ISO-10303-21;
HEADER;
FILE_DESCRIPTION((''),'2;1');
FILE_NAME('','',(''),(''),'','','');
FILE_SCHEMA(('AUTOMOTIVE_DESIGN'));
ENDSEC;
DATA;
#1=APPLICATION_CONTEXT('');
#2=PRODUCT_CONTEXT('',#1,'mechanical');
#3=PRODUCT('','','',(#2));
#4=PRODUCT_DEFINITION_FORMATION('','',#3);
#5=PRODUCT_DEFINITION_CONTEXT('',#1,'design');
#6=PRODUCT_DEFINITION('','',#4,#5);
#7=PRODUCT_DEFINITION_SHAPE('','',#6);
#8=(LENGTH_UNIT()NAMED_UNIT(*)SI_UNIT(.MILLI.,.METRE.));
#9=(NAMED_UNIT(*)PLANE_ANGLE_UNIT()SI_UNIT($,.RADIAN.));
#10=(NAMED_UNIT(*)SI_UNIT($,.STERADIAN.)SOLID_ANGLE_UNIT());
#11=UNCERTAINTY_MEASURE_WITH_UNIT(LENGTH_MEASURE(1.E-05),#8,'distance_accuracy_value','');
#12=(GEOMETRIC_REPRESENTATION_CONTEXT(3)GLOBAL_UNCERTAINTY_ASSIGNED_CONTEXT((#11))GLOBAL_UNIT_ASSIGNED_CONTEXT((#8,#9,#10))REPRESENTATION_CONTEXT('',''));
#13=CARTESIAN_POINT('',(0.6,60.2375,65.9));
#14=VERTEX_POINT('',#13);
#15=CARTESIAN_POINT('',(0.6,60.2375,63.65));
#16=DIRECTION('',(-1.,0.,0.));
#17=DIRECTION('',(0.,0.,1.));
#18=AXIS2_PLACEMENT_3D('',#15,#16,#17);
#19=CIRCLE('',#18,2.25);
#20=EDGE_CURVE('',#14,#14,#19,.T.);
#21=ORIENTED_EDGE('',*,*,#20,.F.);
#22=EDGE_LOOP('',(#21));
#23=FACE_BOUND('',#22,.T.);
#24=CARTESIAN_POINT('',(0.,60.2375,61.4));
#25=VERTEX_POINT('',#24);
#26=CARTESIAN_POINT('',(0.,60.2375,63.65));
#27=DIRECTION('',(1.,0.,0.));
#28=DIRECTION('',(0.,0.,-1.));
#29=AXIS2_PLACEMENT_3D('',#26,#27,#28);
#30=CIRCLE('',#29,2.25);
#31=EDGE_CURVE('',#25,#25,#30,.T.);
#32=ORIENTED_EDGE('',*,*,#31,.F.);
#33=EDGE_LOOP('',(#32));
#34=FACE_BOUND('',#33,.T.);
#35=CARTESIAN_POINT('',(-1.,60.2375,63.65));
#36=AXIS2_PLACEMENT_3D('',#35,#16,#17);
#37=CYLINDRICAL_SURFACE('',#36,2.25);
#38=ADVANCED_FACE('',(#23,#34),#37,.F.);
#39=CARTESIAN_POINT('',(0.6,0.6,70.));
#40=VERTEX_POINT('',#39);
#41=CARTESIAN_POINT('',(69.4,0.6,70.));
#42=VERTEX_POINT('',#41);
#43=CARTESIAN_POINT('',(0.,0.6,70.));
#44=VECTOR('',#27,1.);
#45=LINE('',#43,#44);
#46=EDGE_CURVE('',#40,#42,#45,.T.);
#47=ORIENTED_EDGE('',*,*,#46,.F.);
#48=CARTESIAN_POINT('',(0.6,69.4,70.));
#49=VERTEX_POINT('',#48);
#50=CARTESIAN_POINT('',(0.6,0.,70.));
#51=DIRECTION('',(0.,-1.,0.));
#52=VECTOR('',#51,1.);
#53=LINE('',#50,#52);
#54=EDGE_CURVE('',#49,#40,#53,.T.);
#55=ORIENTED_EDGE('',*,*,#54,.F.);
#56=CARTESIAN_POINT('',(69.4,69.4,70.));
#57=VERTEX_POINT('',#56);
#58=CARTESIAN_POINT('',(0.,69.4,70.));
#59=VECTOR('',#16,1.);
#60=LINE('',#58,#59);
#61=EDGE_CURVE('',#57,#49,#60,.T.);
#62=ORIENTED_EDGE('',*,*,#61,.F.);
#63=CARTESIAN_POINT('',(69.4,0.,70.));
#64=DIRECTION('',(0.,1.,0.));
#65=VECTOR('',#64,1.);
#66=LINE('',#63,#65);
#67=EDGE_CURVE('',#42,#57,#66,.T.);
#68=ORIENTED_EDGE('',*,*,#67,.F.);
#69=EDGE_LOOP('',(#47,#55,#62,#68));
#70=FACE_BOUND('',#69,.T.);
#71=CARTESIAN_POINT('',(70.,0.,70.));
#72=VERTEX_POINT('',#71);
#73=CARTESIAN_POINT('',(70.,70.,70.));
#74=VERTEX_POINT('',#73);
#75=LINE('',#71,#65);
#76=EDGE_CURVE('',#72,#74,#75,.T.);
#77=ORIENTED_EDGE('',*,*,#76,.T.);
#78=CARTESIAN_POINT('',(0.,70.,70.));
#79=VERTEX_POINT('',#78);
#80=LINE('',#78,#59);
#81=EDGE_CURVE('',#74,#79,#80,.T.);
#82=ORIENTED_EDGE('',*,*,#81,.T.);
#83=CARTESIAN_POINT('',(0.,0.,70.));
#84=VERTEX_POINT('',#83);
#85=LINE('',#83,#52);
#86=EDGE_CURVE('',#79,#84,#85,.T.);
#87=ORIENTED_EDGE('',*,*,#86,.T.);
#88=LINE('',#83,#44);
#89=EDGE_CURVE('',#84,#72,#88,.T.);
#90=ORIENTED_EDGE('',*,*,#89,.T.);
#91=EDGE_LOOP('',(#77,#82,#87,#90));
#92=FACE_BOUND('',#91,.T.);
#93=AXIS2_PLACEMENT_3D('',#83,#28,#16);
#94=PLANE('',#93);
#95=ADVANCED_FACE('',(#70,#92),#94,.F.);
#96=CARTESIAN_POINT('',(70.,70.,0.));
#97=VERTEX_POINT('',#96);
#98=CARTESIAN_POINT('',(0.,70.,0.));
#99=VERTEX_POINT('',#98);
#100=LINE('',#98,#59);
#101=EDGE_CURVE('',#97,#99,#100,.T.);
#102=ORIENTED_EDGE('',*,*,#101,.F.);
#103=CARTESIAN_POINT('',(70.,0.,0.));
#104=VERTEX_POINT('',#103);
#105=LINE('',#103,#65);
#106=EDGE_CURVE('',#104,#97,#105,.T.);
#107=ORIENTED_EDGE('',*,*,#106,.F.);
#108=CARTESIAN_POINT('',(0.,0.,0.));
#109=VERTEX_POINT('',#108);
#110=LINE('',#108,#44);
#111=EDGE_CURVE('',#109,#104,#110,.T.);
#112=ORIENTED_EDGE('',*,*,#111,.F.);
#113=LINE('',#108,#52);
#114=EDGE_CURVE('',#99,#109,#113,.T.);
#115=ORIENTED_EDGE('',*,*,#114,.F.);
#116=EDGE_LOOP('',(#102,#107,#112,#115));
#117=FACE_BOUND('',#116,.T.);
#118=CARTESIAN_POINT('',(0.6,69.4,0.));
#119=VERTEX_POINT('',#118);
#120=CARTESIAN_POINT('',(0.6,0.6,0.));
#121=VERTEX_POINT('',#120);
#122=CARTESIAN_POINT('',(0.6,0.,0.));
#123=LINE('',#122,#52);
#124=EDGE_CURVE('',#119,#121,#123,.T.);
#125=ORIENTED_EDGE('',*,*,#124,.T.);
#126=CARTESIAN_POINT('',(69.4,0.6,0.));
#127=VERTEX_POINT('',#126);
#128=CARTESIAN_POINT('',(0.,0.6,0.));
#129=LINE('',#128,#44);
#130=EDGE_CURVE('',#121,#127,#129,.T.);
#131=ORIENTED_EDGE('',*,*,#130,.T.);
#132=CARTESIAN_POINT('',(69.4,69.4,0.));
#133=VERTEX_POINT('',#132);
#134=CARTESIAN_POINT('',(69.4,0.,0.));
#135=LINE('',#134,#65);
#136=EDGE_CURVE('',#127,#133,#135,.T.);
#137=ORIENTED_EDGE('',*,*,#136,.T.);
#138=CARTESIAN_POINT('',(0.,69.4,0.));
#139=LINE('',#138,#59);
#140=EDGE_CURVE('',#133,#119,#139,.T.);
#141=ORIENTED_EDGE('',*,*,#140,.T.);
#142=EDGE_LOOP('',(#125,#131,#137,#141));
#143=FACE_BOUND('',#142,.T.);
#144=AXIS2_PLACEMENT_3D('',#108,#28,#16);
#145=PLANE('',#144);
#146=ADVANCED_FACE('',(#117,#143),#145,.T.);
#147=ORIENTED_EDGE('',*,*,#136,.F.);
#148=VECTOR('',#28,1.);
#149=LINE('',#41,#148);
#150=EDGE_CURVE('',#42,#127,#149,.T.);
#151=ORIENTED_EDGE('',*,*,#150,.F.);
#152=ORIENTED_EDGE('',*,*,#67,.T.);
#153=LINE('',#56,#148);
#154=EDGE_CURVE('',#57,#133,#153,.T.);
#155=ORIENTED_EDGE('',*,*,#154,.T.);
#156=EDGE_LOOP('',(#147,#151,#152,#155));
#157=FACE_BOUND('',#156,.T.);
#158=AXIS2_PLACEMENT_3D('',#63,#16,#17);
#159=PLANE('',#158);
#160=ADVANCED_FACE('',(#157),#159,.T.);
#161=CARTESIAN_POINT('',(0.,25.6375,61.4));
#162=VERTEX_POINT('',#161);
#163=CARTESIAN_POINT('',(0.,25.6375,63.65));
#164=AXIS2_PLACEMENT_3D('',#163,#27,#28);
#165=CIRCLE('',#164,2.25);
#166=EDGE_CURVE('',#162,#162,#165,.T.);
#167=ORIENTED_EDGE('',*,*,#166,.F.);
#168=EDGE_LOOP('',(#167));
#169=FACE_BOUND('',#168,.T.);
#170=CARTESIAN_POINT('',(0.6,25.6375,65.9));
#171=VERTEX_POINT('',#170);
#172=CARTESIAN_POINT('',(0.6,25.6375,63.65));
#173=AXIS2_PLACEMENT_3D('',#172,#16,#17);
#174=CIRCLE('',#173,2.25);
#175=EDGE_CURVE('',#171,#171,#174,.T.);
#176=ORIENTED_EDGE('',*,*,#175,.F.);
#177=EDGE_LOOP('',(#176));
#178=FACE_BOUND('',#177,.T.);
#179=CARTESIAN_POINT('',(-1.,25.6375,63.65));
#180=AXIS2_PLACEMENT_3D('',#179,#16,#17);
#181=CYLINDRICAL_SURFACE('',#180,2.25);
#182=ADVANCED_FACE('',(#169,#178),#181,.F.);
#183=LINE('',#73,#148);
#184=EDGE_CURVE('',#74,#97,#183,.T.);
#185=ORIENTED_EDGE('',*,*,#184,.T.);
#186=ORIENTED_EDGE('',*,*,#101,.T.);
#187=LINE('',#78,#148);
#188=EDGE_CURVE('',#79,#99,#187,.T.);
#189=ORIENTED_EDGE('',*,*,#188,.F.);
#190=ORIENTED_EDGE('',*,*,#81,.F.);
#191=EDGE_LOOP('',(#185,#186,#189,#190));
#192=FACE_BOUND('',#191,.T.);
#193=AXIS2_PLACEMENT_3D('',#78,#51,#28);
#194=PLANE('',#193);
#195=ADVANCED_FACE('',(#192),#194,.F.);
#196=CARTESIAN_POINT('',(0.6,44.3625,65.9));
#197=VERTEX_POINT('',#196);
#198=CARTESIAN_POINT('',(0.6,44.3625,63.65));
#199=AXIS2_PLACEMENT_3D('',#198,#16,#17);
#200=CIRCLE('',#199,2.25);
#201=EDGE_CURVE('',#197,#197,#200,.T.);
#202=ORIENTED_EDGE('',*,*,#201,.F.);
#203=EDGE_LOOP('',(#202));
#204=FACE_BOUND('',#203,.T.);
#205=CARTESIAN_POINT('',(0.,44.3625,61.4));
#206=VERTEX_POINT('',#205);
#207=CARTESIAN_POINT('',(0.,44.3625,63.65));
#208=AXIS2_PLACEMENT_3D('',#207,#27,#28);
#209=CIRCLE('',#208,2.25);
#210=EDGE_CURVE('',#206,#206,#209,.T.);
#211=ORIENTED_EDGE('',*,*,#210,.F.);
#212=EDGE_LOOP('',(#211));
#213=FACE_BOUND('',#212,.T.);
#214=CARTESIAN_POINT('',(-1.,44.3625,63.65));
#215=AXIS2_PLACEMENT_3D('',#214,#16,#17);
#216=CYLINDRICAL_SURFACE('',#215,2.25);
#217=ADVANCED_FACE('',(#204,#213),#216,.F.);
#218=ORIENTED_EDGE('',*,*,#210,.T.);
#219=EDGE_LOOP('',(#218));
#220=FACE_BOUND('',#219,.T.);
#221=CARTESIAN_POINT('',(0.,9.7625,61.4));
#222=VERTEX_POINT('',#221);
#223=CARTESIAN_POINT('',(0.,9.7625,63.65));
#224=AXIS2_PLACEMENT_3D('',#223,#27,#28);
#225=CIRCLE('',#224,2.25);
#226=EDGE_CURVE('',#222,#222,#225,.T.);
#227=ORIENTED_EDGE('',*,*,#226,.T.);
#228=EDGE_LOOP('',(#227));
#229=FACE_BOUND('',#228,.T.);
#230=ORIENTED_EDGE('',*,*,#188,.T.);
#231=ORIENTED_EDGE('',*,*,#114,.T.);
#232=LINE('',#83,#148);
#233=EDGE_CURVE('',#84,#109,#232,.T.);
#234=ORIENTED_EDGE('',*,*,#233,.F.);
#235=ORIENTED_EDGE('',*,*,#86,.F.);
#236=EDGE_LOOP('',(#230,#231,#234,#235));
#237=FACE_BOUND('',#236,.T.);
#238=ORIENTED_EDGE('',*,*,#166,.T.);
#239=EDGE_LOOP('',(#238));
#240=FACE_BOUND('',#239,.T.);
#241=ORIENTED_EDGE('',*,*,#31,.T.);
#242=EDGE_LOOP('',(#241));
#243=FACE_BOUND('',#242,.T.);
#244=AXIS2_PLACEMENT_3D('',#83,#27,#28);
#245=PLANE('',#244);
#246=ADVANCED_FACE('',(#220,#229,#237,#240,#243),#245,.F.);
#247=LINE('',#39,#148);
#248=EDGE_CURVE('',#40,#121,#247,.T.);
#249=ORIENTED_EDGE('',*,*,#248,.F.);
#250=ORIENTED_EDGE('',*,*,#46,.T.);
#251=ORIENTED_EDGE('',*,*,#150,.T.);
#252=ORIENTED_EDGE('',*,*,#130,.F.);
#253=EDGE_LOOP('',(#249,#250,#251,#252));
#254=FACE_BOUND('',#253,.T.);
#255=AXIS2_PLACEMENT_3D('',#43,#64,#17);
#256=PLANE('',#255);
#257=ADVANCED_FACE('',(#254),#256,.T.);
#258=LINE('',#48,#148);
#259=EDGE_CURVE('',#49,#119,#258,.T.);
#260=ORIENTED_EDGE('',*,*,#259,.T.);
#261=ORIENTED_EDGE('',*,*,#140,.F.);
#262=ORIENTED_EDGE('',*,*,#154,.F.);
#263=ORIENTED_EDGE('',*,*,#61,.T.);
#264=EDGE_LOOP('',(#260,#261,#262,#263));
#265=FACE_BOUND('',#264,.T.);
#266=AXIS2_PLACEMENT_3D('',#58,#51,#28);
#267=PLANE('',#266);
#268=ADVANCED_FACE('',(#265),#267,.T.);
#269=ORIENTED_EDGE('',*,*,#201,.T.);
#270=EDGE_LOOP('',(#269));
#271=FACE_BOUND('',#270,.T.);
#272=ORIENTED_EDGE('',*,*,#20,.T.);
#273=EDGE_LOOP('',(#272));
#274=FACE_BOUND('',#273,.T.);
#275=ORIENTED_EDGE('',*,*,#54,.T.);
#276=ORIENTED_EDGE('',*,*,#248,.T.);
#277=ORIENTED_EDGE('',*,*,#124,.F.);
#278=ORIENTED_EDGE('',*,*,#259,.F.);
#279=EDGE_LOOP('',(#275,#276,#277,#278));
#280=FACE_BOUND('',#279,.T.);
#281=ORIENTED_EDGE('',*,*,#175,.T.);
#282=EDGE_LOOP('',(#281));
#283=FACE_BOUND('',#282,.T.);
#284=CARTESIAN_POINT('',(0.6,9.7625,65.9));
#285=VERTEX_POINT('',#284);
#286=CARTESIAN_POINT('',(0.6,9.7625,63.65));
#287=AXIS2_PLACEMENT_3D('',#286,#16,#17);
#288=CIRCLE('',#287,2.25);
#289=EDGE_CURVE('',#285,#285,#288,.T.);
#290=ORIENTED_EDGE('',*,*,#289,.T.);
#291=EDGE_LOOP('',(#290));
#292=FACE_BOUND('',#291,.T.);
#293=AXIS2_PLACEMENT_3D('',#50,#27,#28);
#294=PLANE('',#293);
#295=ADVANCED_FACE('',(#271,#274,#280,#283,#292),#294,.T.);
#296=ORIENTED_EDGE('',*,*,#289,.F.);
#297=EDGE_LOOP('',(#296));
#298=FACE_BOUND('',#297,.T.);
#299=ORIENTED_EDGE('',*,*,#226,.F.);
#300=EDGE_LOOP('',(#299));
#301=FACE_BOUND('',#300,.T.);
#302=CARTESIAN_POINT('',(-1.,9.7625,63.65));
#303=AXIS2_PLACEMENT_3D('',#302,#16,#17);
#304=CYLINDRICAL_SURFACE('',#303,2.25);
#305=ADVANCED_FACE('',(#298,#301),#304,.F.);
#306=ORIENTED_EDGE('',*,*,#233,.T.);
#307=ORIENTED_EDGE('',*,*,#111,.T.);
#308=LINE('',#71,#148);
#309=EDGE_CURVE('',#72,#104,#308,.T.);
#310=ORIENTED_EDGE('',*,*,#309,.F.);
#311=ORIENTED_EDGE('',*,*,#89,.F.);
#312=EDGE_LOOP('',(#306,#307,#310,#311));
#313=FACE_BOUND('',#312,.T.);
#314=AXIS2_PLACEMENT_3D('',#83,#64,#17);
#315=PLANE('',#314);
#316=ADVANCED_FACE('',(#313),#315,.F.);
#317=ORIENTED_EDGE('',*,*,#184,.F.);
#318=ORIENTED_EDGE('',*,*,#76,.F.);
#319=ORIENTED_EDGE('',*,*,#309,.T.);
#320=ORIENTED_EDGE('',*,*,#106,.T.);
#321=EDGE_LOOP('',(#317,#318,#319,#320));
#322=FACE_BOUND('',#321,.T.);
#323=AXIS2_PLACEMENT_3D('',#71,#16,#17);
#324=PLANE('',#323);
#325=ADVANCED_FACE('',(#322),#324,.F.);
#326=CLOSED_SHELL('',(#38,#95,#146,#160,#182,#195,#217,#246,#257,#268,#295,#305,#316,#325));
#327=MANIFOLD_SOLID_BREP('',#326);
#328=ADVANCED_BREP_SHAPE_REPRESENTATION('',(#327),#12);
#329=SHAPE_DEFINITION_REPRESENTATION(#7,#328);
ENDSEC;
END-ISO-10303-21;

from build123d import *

# Parameters (mm, degrees)
CROQUIS1_W                        = 70
CROQUIS1_H                        = 70
SALIENTE_EXTRUIR1_DEPTH           = 70
VACIADO1_T                        = -0.6
TALADRO_DE_MARGEN_PARA_M41_REACH  = 173.7
TALADRO_DE_MARGEN_PARA_M41_BORE_R = 2.25


with BuildPart() as part:
    # Croquis1 → Saliente-Extruir1 (new body)
    with BuildSketch(Plane.XY):
        with Locations((35, 35)):
            Rectangle(CROQUIS1_W, CROQUIS1_H)
    extrude(amount=SALIENTE_EXTRUIR1_DEPTH)

    # Vaciado1
    vaciado1_openings = [part.faces().sort_by_distance(p)[0] for p in [
        (35, 35, 70),
        (35, 35, 0),
    ]]
    offset(amount=VACIADO1_T, openings=vaciado1_openings, kind=Kind.INTERSECTION)

    # Taladro de margen para M41 bore → Taladro de margen para M41 (cut, up to next)
    with BuildSketch(Plane(origin=(-1, -81.2, 39.730415546), x_dir=(0, 1, 0), z_dir=(-1, 0, 0)), mode=Mode.PRIVATE) as taladro_de_margen_para_m41_sk1:
        with Locations((90.9625, -23.919584454)):
            Circle(TALADRO_DE_MARGEN_PARA_M41_BORE_R)
    taladro_de_margen_para_m41_tool1 = extrude(taladro_de_margen_para_m41_sk1.sketch, amount=-TALADRO_DE_MARGEN_PARA_M41_REACH, mode=Mode.PRIVATE) & part.part
    # Taladro de margen para M41 bore → Taladro de margen para M41 (cut, up to next)
    with BuildSketch(Plane(origin=(-1, -81.2, 39.730415546), x_dir=(0, 1, 0), z_dir=(-1, 0, 0)), mode=Mode.PRIVATE) as taladro_de_margen_para_m41_sk2:
        with Locations((106.8375, -23.919584454)):
            Circle(TALADRO_DE_MARGEN_PARA_M41_BORE_R)
    taladro_de_margen_para_m41_tool2 = extrude(taladro_de_margen_para_m41_sk2.sketch, amount=-TALADRO_DE_MARGEN_PARA_M41_REACH, mode=Mode.PRIVATE) & part.part
    # Taladro de margen para M41 bore → Taladro de margen para M41 (cut, up to next)
    with BuildSketch(Plane(origin=(-1, -81.2, 39.730415546), x_dir=(0, 1, 0), z_dir=(-1, 0, 0)), mode=Mode.PRIVATE) as taladro_de_margen_para_m41_sk3:
        with Locations((125.5625, -23.919584454)):
            Circle(TALADRO_DE_MARGEN_PARA_M41_BORE_R)
    taladro_de_margen_para_m41_tool3 = extrude(taladro_de_margen_para_m41_sk3.sketch, amount=-TALADRO_DE_MARGEN_PARA_M41_REACH, mode=Mode.PRIVATE) & part.part
    # Taladro de margen para M41 bore → Taladro de margen para M41 (cut, up to next)
    with BuildSketch(Plane(origin=(-1, -81.2, 39.730415546), x_dir=(0, 1, 0), z_dir=(-1, 0, 0)), mode=Mode.PRIVATE) as taladro_de_margen_para_m41_sk4:
        with Locations((141.4375, -23.919584454)):
            Circle(TALADRO_DE_MARGEN_PARA_M41_BORE_R)
    taladro_de_margen_para_m41_tool4 = extrude(taladro_de_margen_para_m41_sk4.sketch, amount=-TALADRO_DE_MARGEN_PARA_M41_REACH, mode=Mode.PRIVATE) & part.part
    add(taladro_de_margen_para_m41_tool1.solids().sort_by_distance((-1, 9.7625, 63.65))[0], mode=Mode.SUBTRACT)
    add(taladro_de_margen_para_m41_tool2.solids().sort_by_distance((-1, 25.6375, 63.65))[0], mode=Mode.SUBTRACT)
    add(taladro_de_margen_para_m41_tool3.solids().sort_by_distance((-1, 44.3625, 63.65))[0], mode=Mode.SUBTRACT)
    add(taladro_de_margen_para_m41_tool4.solids().sort_by_distance((-1, 60.2375, 63.65))[0], mode=Mode.SUBTRACT)


solid = part.part
